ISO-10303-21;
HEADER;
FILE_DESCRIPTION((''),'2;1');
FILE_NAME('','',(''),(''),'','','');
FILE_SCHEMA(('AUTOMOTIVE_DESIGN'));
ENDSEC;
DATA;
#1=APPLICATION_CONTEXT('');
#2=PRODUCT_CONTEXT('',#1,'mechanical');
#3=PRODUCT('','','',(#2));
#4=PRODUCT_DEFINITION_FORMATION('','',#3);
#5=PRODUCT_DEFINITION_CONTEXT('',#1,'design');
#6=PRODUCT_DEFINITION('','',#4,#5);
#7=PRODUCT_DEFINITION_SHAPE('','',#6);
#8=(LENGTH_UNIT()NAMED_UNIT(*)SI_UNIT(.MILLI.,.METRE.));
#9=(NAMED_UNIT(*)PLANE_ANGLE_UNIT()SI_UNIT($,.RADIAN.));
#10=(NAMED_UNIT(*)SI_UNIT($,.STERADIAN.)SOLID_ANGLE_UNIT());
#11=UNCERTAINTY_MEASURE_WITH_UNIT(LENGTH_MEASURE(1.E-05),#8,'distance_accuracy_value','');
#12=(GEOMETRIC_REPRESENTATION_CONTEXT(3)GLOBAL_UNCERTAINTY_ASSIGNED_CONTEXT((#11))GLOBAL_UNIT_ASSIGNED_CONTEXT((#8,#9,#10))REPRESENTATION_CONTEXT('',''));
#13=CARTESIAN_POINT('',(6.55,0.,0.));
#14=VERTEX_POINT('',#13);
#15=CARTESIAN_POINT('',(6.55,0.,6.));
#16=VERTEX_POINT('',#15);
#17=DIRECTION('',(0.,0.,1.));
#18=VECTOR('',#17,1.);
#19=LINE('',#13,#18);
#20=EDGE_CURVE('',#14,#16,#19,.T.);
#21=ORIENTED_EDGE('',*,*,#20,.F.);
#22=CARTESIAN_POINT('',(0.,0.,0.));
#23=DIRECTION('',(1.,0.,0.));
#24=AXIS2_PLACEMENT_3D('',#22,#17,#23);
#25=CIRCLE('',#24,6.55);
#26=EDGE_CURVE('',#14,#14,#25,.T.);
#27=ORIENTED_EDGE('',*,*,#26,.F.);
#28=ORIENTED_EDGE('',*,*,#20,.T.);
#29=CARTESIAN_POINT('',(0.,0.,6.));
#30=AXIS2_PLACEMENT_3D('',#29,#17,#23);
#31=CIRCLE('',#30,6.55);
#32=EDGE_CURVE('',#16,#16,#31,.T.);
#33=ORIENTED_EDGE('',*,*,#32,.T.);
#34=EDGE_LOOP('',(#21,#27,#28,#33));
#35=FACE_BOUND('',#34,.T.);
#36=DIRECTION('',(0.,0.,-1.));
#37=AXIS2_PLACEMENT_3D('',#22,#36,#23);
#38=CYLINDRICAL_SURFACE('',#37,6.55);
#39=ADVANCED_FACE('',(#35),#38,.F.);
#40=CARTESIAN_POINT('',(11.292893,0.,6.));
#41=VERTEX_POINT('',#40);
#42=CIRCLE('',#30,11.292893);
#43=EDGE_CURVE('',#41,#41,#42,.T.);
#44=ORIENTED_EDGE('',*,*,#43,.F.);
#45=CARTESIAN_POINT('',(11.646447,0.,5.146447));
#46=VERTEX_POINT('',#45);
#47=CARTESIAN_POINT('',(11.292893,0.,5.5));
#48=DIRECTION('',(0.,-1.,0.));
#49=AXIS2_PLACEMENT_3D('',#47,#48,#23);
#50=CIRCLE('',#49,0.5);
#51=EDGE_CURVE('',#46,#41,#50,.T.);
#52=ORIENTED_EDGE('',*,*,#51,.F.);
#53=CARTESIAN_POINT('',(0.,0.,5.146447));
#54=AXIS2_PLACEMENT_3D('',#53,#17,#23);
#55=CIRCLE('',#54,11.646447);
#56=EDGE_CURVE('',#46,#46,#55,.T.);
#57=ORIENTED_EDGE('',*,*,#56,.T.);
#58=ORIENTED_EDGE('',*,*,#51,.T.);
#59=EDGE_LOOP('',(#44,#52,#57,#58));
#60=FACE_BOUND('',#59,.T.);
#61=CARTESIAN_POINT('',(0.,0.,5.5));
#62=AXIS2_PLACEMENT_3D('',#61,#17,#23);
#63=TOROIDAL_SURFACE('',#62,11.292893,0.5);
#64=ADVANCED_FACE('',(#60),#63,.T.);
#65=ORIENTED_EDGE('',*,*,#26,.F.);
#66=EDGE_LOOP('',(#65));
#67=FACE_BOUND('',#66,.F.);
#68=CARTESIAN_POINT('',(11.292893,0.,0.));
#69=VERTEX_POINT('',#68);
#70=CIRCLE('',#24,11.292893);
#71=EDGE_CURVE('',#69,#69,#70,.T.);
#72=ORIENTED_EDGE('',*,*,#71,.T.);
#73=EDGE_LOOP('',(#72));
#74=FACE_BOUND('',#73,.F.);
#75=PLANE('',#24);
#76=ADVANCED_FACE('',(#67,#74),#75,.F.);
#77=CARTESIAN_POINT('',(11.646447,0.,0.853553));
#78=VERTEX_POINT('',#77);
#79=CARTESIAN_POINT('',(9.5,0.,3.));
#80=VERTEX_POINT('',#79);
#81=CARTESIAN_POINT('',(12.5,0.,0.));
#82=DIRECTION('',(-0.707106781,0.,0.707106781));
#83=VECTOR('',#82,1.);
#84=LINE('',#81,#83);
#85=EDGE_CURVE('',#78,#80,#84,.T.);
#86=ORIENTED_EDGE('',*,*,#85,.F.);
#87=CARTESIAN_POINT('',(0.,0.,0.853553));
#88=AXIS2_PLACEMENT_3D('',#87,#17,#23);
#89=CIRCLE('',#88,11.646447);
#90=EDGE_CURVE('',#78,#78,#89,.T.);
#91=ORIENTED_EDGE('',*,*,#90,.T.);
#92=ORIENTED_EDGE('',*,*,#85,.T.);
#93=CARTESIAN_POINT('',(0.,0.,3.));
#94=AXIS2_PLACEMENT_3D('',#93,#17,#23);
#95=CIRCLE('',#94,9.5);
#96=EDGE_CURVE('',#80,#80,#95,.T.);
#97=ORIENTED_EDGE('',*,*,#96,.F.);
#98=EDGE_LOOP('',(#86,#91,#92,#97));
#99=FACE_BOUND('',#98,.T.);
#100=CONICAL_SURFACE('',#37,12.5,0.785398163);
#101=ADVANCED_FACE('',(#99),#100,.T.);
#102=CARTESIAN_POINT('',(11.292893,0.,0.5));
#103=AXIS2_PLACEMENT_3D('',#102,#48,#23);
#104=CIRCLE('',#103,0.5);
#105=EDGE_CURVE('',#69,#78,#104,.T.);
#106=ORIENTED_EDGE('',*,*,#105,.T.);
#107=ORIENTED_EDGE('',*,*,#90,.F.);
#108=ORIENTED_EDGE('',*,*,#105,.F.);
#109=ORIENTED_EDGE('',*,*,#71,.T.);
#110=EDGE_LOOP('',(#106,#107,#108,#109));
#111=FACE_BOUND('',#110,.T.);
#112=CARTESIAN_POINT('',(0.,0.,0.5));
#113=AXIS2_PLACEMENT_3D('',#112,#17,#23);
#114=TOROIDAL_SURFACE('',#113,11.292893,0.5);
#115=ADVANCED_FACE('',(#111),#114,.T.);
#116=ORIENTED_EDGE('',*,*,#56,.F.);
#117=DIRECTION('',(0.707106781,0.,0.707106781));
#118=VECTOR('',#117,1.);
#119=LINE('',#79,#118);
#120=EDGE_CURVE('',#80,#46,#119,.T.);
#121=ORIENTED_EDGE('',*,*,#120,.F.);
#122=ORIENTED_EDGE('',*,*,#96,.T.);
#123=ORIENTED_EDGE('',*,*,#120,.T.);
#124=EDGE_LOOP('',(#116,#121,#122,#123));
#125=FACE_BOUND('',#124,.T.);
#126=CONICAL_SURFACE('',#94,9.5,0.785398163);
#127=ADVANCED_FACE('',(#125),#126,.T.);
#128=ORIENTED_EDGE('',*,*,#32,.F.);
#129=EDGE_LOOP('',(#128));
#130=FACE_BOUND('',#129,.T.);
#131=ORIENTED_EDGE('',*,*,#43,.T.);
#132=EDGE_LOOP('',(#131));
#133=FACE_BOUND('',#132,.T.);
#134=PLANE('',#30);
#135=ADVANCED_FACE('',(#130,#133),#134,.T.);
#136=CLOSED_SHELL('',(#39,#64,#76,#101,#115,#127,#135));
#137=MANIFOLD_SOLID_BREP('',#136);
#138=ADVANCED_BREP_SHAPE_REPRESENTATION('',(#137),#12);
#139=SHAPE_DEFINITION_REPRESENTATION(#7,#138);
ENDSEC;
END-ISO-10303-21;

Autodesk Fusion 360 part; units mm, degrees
sketch "Sketch1" plane through (0, 0, 0) normal (0, 0, 1) x (1, 0, 0)
  circle A0 centre (0, 0) radius 6.55
  circle A1 centre (0, 0) radius 12.5
  dimension "d1" = 13.1
  dimension "d2" = 25
extrude "Extrude1" add sketch "Sketch1" along normal blind 6
sketch "Sketch2" plane through (0, 0, 0) normal (0, 1, 0) x (1, 0, 0)
  line L0 (-12.5, -6) -> (12.5, -6)
  line L1 (-12.5, 0) -> (12.5, 0)
  line L2 (12.5, 0) -> (9.5, -3)
  line L3 (9.5, -3) -> (12.5, -6)
  line L4 (12.5, -6) -> (12.5, 0)
  dimension "d5" = 45
  dimension "d6" = 45
revolve "Revolve1" cut sketch "Sketch2" angle 360 about axis through (0, 0, 1.75) along (0, 0, 1)
fillet "Fillet1" radius 0.5 2 edges at (-11.6541, -4.5202, 0) (-11.6541, -4.5202, 6)
